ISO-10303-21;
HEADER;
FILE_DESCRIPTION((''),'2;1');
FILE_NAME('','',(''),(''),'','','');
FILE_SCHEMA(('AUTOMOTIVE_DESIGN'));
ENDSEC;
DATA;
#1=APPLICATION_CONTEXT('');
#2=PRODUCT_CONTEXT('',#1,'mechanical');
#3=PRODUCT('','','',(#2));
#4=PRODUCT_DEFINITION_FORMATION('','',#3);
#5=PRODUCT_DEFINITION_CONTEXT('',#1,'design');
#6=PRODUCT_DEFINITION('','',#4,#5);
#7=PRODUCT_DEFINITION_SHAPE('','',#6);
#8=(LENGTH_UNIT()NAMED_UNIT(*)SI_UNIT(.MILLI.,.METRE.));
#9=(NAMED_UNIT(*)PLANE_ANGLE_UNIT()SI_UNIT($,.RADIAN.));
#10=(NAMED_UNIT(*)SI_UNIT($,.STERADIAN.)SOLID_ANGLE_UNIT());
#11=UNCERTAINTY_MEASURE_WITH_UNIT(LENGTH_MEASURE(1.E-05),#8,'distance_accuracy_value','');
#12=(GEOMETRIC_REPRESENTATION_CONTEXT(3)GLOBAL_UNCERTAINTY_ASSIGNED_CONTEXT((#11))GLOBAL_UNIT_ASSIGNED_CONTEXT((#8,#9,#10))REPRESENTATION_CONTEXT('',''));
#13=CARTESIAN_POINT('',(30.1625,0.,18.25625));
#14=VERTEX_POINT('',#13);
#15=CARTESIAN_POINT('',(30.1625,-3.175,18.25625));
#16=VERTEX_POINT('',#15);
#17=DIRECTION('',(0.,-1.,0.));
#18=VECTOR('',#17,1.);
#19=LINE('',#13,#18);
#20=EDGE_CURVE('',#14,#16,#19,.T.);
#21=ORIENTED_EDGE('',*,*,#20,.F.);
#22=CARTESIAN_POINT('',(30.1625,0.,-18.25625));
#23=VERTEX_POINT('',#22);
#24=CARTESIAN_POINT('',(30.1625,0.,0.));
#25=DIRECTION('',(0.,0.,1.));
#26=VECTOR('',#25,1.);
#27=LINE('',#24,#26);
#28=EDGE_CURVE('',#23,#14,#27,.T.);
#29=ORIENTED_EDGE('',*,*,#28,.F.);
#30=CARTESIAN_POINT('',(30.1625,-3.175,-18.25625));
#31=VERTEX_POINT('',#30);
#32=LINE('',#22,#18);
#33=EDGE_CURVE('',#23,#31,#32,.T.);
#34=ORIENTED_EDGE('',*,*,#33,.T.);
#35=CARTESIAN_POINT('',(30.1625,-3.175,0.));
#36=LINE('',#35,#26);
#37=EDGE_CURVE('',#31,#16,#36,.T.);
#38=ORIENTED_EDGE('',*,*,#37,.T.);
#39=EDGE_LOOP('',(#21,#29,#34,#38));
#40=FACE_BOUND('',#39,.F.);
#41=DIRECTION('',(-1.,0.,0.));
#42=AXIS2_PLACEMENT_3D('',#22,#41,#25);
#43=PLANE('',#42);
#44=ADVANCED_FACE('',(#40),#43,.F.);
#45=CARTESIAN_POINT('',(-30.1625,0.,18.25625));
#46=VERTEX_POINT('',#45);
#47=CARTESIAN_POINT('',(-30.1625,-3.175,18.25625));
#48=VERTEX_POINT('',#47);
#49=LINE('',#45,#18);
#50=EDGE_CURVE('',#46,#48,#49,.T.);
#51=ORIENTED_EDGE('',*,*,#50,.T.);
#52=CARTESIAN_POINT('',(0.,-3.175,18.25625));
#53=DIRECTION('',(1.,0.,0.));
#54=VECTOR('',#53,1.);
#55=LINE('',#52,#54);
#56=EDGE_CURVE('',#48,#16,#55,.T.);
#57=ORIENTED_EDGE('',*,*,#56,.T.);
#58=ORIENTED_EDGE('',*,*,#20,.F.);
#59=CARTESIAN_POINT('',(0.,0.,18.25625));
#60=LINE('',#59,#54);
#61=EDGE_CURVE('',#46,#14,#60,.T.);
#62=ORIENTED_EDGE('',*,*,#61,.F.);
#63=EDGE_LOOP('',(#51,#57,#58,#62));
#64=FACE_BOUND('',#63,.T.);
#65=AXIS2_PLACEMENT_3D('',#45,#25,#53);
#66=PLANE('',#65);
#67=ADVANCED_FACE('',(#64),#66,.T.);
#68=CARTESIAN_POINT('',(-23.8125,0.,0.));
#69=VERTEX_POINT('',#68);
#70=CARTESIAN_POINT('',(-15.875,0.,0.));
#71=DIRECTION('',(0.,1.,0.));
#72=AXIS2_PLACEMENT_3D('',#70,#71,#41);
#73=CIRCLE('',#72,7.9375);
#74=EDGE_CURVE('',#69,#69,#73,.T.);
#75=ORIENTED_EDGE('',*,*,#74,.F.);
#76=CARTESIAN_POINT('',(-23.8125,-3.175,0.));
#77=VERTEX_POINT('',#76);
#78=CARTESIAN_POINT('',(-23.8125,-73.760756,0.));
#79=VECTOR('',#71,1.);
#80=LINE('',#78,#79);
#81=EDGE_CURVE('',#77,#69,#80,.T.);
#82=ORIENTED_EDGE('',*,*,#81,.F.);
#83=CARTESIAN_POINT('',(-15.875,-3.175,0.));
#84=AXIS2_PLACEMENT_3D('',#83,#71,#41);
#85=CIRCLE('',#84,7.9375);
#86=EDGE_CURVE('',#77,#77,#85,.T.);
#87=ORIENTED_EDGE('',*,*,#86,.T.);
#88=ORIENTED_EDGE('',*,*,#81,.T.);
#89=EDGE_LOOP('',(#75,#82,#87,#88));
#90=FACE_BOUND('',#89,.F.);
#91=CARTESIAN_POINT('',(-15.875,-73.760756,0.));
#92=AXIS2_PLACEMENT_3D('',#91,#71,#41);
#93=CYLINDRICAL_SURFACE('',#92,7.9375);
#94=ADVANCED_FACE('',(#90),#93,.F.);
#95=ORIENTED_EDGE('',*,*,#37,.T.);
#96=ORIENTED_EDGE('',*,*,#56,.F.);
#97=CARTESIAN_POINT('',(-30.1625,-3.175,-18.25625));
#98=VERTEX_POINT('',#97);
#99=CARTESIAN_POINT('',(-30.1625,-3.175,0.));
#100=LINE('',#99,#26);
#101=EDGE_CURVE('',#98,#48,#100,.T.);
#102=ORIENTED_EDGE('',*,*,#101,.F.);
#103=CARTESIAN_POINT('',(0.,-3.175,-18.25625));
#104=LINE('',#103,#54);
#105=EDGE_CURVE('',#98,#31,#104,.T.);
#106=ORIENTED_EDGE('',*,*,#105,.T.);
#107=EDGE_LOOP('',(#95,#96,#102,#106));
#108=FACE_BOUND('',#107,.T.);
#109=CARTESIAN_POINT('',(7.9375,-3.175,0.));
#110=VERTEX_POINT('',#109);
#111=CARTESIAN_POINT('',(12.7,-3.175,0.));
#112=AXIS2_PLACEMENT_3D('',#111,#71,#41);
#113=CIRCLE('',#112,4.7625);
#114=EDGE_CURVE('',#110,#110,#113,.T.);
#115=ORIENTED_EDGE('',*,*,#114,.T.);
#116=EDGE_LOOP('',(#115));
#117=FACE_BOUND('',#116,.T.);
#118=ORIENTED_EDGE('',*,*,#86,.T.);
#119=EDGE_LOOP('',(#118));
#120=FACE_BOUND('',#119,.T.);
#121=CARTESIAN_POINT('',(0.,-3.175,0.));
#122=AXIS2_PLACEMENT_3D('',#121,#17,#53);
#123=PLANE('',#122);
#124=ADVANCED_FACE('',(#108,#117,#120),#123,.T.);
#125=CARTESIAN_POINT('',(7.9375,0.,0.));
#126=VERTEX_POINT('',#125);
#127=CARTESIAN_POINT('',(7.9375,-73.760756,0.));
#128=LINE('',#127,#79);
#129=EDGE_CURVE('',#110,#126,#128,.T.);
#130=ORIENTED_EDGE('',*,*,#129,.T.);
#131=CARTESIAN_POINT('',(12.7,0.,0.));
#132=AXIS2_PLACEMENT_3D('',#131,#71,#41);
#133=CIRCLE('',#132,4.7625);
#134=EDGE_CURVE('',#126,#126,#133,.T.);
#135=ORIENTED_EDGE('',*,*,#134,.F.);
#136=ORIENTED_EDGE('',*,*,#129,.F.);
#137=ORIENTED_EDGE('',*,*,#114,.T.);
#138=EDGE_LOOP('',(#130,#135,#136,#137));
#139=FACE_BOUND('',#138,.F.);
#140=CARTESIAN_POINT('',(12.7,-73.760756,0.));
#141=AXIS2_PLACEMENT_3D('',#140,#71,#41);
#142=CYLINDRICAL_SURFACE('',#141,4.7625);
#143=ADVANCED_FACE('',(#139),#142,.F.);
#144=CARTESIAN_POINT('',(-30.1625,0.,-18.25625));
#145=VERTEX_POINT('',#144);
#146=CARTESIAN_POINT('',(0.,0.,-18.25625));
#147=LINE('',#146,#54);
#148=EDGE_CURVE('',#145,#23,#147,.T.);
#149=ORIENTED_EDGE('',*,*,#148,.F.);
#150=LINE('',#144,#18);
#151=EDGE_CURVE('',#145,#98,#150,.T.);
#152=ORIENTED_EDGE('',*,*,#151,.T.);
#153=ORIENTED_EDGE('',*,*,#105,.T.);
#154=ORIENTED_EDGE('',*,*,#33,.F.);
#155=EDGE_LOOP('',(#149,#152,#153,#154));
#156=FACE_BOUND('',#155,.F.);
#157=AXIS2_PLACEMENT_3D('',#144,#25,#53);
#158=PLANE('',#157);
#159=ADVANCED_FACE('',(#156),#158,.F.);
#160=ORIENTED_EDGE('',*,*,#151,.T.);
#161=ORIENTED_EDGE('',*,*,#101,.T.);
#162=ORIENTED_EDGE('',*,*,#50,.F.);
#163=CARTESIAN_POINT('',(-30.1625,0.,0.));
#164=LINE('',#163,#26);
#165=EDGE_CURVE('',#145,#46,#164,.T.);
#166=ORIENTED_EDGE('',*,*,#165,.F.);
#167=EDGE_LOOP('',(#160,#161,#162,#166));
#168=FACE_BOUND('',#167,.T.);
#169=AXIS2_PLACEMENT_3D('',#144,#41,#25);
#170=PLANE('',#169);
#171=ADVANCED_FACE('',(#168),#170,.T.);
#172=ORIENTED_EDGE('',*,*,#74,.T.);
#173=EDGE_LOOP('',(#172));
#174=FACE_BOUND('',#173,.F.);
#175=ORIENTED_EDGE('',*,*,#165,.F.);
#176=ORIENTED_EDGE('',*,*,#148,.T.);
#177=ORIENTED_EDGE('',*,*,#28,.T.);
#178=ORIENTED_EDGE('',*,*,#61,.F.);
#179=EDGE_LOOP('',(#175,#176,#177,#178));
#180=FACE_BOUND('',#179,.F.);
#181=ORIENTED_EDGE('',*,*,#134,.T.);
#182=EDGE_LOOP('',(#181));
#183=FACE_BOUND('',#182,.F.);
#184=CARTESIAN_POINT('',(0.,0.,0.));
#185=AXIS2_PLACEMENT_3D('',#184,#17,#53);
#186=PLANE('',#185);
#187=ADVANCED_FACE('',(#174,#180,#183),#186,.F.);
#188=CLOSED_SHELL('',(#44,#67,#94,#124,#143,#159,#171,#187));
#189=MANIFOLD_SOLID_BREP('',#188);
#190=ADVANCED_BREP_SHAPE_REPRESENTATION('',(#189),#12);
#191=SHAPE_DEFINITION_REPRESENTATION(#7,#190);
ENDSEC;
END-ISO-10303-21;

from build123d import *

# Parameters (mm, degrees)
F0_W     = 60.325
F0_H     = 36.5125
F1_DEPTH = 3.175
F3_D     = 15.875
F5_D     = 9.525


with BuildPart() as f1:
    # F0 (on Front) → F1 (new body)
    with BuildSketch(Plane.XZ):
        Rectangle(F0_W, F0_H)
    extrude(amount=F1_DEPTH)

    # F3 (through all)
    with Locations(Plane.XZ.offset(3.175)):
        with Locations((-15.875, 0)):
            Hole(F3_D / 2)

    # F5 (through all)
    with Locations(Plane.XZ.offset(3.175)):
        with Locations((12.7, 0)):
            Hole(F5_D / 2)


solid = f1.part
